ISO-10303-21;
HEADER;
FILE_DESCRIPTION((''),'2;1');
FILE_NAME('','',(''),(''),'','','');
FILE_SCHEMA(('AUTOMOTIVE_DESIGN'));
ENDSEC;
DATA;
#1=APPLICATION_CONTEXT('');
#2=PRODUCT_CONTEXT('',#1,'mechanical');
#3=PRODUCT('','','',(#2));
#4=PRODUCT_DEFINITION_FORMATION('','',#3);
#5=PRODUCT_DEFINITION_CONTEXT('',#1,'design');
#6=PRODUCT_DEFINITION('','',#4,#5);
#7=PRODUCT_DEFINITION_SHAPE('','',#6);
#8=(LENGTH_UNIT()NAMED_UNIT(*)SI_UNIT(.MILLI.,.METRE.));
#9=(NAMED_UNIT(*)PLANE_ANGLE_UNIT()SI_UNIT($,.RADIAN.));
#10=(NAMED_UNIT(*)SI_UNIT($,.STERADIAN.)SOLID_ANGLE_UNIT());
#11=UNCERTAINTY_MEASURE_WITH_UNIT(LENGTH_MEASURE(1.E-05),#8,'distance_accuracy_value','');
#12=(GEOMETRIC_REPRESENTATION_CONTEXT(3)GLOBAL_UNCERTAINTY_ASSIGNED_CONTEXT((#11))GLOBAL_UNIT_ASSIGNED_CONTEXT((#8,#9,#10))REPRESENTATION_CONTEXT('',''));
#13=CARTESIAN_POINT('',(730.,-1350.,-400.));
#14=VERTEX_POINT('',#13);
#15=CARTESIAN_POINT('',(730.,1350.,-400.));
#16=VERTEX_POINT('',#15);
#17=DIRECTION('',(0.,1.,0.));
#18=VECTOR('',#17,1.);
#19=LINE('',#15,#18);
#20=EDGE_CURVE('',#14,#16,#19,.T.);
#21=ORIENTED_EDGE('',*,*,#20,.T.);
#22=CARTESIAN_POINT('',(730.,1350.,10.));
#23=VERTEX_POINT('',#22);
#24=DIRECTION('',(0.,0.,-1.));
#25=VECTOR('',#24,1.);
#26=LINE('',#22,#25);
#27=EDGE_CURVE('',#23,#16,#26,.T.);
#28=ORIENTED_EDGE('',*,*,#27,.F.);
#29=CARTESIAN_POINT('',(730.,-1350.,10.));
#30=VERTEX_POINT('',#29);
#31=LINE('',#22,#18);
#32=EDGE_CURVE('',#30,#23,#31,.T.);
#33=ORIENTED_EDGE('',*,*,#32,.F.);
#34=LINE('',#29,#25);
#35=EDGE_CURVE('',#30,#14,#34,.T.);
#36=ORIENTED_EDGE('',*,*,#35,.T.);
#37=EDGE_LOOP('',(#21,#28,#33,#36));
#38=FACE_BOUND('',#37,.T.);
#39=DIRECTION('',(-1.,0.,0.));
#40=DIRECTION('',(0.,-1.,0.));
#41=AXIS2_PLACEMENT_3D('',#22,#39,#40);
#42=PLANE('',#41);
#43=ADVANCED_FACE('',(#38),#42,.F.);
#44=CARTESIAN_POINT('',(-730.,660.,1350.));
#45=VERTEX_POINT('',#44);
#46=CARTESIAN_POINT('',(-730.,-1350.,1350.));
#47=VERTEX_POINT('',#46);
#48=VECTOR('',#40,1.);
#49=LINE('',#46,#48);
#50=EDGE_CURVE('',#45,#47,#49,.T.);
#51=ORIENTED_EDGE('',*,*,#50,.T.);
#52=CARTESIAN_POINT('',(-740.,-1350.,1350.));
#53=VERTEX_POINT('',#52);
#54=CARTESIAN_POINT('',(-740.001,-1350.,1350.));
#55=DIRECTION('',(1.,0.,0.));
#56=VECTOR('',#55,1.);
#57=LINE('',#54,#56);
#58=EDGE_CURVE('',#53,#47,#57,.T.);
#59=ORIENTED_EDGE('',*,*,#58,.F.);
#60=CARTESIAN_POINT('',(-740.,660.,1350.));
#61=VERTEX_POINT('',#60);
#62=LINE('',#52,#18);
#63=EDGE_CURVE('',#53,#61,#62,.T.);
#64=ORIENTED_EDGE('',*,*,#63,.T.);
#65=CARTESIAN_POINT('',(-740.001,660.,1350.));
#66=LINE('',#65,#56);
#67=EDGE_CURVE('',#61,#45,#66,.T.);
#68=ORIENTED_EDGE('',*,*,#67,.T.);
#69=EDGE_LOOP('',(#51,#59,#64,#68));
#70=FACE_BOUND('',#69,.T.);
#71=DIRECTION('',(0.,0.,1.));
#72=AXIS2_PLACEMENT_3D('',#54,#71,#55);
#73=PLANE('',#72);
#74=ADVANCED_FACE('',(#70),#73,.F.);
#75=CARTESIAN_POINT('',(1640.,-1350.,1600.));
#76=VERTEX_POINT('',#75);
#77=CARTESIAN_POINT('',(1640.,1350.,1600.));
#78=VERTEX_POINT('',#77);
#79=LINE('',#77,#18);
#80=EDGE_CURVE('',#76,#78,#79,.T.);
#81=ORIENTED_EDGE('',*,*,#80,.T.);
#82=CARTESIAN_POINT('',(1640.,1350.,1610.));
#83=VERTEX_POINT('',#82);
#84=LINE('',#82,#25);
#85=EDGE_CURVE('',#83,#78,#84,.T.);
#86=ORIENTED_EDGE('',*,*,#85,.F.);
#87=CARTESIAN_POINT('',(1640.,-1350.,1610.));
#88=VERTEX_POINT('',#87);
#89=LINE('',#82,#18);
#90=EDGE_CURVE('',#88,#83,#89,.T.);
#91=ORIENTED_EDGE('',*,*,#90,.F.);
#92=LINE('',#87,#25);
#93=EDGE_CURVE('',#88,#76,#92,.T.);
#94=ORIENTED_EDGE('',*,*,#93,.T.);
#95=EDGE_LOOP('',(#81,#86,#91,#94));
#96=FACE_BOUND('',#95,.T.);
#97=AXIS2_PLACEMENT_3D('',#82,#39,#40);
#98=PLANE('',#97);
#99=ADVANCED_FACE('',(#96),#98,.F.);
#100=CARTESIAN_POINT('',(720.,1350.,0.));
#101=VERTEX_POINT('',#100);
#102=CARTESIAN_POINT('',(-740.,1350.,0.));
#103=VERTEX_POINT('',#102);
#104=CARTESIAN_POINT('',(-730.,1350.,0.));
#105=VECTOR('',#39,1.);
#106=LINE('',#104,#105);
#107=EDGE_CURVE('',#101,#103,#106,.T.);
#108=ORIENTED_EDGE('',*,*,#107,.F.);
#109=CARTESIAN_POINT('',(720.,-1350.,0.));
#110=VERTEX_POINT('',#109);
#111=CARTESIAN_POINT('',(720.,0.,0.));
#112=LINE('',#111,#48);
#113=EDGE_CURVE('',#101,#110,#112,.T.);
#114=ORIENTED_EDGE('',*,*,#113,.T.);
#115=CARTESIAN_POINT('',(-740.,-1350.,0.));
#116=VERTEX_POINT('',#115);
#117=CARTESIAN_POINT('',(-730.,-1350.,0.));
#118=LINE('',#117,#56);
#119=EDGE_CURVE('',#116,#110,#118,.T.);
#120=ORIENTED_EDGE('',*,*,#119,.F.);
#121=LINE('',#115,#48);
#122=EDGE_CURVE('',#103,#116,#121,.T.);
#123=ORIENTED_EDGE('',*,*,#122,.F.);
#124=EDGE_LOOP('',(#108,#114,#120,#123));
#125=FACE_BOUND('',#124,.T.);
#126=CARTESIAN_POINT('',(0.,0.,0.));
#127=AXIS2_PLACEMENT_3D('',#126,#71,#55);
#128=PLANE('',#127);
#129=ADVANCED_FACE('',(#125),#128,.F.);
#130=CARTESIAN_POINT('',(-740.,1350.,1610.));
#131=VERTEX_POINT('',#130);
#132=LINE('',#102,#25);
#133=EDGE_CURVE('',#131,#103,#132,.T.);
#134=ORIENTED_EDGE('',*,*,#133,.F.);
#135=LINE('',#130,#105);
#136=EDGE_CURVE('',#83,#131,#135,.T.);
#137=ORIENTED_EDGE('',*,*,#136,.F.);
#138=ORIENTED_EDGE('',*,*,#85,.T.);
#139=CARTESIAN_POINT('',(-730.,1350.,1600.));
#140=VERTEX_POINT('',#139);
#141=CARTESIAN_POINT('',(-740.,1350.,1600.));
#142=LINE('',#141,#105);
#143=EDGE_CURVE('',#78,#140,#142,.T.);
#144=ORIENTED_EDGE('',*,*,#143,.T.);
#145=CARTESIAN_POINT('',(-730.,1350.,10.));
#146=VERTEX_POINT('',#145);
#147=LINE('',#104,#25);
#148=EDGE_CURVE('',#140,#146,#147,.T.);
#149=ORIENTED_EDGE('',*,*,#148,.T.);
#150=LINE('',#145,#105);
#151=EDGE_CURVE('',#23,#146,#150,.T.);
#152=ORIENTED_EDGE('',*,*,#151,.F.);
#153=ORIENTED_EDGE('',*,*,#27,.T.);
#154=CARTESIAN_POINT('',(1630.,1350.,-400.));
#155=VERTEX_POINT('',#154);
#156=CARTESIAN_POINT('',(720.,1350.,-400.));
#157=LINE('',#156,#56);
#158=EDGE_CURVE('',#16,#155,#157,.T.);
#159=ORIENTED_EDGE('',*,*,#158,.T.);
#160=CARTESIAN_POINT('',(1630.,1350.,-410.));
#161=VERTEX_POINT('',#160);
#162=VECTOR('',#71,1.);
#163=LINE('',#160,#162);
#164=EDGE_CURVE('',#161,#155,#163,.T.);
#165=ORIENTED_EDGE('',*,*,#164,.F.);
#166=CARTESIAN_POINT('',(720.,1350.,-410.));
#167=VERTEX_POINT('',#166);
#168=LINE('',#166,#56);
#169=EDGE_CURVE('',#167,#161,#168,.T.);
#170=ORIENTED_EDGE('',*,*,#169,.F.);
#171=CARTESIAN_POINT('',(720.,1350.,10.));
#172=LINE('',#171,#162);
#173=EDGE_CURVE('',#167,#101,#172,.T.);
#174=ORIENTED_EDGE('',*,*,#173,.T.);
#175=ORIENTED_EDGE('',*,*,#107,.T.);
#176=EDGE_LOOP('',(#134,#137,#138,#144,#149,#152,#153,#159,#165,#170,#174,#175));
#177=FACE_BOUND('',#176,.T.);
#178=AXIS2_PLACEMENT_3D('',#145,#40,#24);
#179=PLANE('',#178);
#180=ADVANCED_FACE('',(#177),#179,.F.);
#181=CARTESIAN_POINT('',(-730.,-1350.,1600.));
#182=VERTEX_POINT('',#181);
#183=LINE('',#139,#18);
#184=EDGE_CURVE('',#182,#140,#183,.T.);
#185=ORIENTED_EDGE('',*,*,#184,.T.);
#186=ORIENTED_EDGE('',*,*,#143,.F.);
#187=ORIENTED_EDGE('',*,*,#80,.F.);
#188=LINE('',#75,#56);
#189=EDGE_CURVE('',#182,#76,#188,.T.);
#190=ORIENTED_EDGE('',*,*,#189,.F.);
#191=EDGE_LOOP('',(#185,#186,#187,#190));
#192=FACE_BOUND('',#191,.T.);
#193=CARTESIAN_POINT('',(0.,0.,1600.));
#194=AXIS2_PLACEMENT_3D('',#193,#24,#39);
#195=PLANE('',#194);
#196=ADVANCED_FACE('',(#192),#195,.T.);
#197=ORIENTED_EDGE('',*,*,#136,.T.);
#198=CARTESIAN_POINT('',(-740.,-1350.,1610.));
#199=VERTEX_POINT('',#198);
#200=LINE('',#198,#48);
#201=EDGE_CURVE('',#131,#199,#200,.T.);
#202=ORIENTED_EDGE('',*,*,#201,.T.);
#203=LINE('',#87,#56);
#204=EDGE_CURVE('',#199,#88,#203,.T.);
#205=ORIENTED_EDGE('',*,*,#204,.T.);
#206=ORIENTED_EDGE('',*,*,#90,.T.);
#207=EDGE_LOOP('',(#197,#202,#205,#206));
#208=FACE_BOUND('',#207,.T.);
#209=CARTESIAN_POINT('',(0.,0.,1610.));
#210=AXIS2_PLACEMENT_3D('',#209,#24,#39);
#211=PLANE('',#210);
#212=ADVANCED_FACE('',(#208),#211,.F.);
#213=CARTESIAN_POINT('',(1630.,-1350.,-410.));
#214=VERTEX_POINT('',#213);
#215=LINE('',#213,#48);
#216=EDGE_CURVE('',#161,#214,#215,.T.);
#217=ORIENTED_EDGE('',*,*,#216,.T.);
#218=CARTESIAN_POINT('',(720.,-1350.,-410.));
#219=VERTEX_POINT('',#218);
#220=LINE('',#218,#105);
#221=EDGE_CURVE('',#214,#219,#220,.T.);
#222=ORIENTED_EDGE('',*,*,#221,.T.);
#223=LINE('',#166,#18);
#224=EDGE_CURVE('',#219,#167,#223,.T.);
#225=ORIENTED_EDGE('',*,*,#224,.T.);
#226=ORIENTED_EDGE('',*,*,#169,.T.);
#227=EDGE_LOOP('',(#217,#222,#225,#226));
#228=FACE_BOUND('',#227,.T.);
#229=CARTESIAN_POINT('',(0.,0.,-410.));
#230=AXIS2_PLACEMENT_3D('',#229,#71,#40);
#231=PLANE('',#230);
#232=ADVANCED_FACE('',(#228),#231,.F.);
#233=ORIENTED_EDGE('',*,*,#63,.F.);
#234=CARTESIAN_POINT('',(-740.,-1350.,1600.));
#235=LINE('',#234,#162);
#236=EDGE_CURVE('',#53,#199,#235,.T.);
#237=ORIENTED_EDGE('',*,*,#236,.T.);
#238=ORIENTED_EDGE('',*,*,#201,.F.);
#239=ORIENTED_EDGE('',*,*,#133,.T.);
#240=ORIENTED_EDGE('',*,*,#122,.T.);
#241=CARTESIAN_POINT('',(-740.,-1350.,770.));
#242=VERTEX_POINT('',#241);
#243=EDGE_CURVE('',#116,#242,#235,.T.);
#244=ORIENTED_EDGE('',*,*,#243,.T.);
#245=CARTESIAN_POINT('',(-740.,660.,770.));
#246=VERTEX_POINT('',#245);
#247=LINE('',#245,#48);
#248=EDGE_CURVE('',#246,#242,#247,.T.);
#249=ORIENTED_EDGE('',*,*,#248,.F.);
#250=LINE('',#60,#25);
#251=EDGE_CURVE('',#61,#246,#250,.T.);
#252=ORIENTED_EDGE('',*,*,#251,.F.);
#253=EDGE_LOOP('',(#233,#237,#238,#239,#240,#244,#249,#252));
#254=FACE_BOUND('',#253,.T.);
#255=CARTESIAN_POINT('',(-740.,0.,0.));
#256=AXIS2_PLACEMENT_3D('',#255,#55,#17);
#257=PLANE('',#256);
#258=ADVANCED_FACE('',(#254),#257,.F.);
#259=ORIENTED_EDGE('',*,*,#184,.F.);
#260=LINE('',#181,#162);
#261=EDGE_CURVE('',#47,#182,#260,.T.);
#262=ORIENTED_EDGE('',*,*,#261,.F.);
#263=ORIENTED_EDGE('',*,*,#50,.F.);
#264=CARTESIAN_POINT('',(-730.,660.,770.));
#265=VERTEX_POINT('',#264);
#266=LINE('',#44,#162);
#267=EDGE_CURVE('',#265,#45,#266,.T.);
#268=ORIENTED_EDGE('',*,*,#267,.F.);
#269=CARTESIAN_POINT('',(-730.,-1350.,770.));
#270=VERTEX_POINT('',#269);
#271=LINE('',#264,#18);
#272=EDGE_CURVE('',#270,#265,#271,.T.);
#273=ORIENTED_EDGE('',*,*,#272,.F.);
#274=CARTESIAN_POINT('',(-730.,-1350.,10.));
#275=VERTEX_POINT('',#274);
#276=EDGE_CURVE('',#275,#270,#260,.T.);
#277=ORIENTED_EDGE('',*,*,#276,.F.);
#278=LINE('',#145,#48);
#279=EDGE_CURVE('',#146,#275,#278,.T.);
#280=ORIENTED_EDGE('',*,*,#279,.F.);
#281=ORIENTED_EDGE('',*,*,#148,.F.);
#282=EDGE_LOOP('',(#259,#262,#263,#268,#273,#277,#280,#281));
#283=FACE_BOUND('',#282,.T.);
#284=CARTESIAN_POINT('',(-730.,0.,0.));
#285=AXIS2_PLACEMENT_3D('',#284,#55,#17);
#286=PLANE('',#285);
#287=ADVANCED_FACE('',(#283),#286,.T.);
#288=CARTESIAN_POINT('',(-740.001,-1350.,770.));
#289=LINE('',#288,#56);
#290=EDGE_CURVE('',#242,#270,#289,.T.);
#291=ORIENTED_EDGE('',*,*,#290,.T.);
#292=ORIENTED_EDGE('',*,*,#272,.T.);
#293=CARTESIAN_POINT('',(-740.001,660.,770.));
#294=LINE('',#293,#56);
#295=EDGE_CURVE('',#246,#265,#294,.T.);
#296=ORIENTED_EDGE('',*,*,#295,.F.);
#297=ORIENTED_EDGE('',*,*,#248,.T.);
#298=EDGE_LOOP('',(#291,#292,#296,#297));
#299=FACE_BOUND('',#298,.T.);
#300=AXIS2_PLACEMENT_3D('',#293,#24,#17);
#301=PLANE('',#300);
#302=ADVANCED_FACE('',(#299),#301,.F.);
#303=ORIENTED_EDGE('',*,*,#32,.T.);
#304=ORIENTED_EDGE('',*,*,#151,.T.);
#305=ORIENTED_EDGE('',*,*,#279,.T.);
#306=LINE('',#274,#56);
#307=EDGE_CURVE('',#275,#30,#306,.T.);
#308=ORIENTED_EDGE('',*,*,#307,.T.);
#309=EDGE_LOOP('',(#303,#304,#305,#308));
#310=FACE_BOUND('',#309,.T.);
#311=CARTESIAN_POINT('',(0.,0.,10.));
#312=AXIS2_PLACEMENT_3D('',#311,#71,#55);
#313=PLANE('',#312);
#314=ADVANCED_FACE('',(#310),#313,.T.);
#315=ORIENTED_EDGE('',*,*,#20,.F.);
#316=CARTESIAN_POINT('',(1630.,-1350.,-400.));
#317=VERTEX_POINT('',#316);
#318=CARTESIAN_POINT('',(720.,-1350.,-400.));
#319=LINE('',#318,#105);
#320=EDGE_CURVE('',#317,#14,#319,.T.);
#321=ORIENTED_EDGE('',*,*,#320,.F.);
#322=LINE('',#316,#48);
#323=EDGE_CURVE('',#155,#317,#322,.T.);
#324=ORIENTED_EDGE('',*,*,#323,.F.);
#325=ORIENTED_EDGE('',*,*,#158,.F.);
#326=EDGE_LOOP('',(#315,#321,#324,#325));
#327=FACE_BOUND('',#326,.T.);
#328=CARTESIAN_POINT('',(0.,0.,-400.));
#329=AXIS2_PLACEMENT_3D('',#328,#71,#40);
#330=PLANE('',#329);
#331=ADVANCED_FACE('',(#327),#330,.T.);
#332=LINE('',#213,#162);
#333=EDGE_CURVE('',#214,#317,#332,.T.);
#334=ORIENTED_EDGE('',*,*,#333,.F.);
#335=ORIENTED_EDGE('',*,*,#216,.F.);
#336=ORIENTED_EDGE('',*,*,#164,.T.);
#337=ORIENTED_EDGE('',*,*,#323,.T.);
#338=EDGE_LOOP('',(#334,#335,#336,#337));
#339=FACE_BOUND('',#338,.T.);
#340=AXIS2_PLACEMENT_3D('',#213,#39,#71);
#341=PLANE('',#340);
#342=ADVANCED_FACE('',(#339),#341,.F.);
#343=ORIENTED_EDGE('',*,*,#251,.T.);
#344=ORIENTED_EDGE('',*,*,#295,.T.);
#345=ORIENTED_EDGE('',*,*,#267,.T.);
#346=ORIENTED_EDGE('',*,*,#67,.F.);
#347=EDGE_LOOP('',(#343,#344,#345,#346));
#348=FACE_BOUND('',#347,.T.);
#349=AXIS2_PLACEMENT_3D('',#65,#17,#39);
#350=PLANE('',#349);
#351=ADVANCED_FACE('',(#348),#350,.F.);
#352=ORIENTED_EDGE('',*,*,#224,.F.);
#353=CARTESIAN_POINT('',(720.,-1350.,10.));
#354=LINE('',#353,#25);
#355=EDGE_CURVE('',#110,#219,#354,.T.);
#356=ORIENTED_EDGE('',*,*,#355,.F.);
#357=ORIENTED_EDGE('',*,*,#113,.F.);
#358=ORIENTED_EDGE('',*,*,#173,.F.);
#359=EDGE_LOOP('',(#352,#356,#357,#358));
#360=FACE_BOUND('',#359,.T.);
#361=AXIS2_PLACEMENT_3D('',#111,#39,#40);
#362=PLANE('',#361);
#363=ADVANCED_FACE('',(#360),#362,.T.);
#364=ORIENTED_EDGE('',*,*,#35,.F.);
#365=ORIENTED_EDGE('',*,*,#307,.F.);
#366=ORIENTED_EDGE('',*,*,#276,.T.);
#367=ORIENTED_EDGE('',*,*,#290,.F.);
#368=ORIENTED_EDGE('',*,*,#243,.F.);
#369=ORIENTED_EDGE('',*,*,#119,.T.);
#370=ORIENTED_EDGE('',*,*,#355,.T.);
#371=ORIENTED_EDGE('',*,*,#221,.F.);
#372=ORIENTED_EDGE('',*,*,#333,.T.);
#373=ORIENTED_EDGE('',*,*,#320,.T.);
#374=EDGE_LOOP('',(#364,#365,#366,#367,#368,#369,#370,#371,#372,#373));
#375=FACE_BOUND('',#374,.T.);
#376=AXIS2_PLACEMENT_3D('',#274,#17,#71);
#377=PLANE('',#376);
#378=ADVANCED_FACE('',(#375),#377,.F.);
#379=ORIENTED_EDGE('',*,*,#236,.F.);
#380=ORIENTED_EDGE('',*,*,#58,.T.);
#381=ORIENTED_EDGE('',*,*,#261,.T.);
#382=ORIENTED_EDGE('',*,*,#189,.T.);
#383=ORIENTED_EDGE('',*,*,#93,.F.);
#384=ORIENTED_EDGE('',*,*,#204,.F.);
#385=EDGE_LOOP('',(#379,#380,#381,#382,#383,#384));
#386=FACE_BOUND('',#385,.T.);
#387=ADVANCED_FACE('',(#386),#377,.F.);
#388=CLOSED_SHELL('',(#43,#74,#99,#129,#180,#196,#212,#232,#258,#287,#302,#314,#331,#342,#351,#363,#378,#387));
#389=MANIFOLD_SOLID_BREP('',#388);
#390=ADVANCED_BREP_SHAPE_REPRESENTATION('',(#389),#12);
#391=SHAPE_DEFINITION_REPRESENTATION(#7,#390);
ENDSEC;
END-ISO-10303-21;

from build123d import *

# Parameters (mm, degrees)
SKETCH1_W           = 1460
SKETCH1_H           = 2700
BOSS_EXTRUDE1_DEPTH = 10
SKETCH2_W           = 410
SKETCH2_H           = 2700
BOSS_EXTRUDE2_DEPTH = 10
SKETCH3_W           = 910
SKETCH3_H           = 2700
BOSS_EXTRUDE3_DEPTH = 10
SKETCH4_W           = 1600
SKETCH4_H           = 2700
BOSS_EXTRUDE4_DEPTH = 10
SKETCH5_W           = 2380
SKETCH5_H           = 2700
BOSS_EXTRUDE5_DEPTH = 10
CUT_EXTRUDE1_REACH  = 3169.254
SKETCH6_W           = 580
SKETCH6_H           = 2010


with BuildPart() as part:
    # Sketch1 → Boss-Extrude1 (new body)
    with BuildSketch(Plane.XY):
        Rectangle(SKETCH1_W, SKETCH1_H)
    extrude(amount=BOSS_EXTRUDE1_DEPTH)

    # Sketch2 → Boss-Extrude2 (add)
    with BuildSketch(Plane(origin=(730, 0, 0), x_dir=(0, 0, -1), z_dir=(1, 0, 0))):
        with Locations((195, 0)):
            Rectangle(SKETCH2_W, SKETCH2_H)
    extrude(amount=-BOSS_EXTRUDE2_DEPTH)

    # Sketch3 → Boss-Extrude3 (add)
    with BuildSketch(Plane(origin=(0, 0, -400), x_dir=(-1, 0, 0), z_dir=(0, 0, -1))):
        with Locations((-1175, 0)):
            Rectangle(SKETCH3_W, SKETCH3_H)
    extrude(amount=BOSS_EXTRUDE3_DEPTH)

    # Sketch4 → Boss-Extrude4 (add)
    with BuildSketch(Plane.ZY.offset(730)):
        with Locations((800, 0)):
            Rectangle(SKETCH4_W, SKETCH4_H)
    extrude(amount=BOSS_EXTRUDE4_DEPTH)

    # Sketch5 → Boss-Extrude5 (add)
    with BuildSketch(Plane.XY.offset(1600)):
        with Locations((450, 0)):
            Rectangle(SKETCH5_W, SKETCH5_H)
    extrude(amount=BOSS_EXTRUDE5_DEPTH)

    # Sketch6 → Cut-Extrude1 (cut, up to next)
    with BuildSketch(Plane(origin=(-730, 0, 0), x_dir=(0, 0, -1), z_dir=(1, 0, 0)), mode=Mode.PRIVATE) as cut_extrude1_sk1:
        with Locations((-1060, -345)):
            Rectangle(SKETCH6_W, SKETCH6_H)
    cut_extrude1_tool1 = extrude(cut_extrude1_sk1.sketch, amount=-CUT_EXTRUDE1_REACH, mode=Mode.PRIVATE) & part.part
    add(cut_extrude1_tool1.solids().sort_by_distance((-730, -345, 1060))[0], mode=Mode.SUBTRACT)


solid = part.part
